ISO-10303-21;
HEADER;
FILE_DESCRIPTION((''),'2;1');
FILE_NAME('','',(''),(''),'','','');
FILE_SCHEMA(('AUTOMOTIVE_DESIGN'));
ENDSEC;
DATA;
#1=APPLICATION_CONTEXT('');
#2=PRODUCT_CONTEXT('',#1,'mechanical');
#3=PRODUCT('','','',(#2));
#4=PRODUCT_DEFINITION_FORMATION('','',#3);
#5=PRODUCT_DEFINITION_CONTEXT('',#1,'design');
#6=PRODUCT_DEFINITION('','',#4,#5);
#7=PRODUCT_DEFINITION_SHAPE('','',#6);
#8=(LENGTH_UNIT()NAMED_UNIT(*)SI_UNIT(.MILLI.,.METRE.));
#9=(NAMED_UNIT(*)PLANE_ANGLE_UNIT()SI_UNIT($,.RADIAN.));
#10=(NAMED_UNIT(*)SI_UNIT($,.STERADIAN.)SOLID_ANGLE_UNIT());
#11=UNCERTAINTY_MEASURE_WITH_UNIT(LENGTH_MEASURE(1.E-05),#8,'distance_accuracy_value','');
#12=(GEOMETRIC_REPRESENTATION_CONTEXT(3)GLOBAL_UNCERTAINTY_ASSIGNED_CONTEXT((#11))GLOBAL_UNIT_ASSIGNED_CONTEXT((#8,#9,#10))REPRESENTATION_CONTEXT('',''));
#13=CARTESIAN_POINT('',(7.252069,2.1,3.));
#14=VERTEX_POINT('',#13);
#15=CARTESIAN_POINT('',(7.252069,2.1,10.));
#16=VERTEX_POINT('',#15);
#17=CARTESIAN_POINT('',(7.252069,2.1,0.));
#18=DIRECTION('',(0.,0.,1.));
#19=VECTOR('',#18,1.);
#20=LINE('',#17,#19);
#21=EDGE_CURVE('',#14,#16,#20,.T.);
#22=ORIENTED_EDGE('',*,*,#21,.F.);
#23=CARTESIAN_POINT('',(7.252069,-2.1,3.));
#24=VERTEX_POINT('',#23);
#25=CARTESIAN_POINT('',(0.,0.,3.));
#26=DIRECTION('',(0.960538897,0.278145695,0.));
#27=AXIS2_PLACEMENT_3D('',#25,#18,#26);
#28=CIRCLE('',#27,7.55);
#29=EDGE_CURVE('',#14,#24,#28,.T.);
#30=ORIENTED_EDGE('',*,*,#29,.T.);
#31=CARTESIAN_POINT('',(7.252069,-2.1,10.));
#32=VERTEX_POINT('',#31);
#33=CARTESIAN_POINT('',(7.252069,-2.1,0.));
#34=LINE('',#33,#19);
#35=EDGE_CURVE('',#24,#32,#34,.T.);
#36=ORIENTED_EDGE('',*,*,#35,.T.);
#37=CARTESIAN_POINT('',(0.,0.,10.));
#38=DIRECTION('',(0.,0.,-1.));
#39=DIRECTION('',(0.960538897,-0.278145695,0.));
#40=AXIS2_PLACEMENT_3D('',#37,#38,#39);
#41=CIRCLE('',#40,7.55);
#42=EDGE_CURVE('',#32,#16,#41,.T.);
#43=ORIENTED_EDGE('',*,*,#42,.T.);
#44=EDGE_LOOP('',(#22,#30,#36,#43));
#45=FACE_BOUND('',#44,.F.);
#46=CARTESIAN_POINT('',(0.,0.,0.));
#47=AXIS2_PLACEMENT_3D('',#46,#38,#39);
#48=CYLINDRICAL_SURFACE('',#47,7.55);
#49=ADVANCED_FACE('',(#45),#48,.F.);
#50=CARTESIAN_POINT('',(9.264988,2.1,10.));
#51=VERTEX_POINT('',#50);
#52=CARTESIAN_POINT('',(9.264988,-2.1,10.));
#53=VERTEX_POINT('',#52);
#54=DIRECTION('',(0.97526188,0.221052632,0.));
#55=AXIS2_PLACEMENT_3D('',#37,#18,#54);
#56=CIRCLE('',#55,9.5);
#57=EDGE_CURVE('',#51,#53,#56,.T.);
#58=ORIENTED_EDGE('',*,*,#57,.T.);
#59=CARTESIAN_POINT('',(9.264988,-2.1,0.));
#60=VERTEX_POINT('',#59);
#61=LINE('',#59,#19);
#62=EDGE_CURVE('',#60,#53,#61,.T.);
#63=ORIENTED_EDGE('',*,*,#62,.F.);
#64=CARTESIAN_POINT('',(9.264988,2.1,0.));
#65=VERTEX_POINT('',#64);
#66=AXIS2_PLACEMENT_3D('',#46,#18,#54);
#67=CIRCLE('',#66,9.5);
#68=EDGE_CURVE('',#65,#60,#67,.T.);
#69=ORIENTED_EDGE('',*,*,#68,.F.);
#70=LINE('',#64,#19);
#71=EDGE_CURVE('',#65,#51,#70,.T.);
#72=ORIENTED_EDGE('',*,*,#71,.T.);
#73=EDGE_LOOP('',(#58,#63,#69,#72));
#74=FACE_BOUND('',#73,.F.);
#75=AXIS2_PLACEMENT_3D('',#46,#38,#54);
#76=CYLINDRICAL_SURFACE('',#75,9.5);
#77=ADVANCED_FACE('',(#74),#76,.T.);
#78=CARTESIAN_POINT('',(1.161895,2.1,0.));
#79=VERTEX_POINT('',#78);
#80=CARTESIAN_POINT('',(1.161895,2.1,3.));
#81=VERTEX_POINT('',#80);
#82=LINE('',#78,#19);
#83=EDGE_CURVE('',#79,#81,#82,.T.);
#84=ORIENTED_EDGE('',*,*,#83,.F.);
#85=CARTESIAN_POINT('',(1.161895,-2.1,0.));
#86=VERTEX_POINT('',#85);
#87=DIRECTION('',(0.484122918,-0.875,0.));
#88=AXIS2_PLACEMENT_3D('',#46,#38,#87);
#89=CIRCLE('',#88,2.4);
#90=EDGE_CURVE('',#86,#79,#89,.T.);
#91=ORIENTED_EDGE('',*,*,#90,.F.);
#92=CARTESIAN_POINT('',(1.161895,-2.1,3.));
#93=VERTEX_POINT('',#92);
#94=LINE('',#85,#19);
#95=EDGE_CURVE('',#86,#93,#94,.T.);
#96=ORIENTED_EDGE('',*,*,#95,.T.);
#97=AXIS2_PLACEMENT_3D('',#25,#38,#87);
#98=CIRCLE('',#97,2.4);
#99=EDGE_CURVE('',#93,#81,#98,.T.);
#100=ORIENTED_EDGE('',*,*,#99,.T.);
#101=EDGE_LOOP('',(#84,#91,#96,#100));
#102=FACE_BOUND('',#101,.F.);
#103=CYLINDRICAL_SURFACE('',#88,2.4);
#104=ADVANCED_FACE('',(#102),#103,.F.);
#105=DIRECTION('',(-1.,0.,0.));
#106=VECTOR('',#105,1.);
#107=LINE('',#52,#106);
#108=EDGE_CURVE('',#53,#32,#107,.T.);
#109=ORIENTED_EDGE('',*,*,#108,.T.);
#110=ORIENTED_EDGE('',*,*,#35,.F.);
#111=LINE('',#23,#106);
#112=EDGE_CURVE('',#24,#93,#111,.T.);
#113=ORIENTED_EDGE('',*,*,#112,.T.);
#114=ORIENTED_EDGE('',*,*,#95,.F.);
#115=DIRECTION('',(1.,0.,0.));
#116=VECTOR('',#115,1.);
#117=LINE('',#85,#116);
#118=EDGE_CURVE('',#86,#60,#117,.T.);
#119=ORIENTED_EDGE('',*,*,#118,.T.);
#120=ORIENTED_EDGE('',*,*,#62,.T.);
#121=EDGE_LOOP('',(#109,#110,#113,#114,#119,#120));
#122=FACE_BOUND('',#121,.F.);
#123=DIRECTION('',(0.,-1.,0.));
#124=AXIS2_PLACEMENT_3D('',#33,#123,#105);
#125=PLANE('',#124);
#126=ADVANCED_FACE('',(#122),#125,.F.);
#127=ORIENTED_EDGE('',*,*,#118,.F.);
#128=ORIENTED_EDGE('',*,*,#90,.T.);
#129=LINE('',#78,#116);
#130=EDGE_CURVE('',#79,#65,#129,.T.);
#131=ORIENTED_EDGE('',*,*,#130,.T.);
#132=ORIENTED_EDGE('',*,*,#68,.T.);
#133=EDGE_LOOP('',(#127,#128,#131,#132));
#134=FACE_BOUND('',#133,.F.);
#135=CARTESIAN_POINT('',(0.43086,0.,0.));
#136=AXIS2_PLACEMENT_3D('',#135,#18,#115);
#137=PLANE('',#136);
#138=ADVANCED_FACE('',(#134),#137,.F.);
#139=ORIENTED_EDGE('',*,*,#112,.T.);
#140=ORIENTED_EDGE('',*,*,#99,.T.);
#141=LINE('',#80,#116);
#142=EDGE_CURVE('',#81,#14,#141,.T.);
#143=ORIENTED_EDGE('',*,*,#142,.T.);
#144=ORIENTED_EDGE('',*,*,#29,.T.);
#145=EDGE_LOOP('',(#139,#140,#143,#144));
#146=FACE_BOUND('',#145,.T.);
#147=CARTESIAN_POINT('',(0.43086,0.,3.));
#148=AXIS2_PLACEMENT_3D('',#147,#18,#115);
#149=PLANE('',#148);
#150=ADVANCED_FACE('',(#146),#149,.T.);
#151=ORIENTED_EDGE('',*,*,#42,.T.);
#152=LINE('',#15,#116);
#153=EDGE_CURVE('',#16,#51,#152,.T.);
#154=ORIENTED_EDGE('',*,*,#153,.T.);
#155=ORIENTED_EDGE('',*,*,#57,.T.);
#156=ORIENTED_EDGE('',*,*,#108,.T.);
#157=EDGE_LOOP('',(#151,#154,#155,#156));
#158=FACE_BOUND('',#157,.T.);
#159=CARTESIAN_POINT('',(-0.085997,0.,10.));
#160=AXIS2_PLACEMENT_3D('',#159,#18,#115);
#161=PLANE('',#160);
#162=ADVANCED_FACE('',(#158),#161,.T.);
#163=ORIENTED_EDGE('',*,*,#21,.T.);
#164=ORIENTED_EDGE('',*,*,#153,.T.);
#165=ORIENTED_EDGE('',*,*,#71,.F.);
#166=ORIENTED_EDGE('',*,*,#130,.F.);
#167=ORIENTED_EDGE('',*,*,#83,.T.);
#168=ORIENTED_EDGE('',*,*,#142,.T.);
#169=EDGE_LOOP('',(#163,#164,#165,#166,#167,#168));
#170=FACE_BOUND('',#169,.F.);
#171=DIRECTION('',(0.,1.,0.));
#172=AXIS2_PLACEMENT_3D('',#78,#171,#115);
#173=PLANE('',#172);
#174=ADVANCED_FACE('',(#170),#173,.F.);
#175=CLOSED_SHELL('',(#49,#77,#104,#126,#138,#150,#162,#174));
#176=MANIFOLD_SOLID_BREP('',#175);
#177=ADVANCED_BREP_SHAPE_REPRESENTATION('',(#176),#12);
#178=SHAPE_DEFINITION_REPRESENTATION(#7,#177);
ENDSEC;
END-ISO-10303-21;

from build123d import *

# Parameters (mm, degrees)
F1_DEPTH = 10
F2_DEPTH = 3


with BuildPart() as f1:
    # F0 (on Top) → F1 (new body)
    with BuildSketch(Plane.XY):
        with BuildLine():
            ThreePointArc((7.2520686704, -2.1), (-7.55, 0), (7.2520686704, 2.1))
            Line((7.2520686704, 2.1), (9.2649878575, 2.1))
            ThreePointArc((9.2649878575, 2.1), (-9.5, 0), (9.2649878575, -2.1))
            Line((9.2649878575, -2.1), (7.2520686704, -2.1))
        make_face()
    extrude(amount=F1_DEPTH)

    # F0 (on Top) → F2 (join)
    with BuildSketch(Plane.XY):
        with BuildLine():
            Line((1.1618950039, 2.1), (7.2520686704, 2.1))
            ThreePointArc((7.2520686704, 2.1), (-7.55, 0), (7.2520686704, -2.1))
            Line((7.2520686704, -2.1), (1.1618950039, -2.1))
            ThreePointArc((1.1618950039, -2.1), (-2.4, 0), (1.1618950039, 2.1))
        make_face()
    extrude(amount=F2_DEPTH)


solid = f1.part
